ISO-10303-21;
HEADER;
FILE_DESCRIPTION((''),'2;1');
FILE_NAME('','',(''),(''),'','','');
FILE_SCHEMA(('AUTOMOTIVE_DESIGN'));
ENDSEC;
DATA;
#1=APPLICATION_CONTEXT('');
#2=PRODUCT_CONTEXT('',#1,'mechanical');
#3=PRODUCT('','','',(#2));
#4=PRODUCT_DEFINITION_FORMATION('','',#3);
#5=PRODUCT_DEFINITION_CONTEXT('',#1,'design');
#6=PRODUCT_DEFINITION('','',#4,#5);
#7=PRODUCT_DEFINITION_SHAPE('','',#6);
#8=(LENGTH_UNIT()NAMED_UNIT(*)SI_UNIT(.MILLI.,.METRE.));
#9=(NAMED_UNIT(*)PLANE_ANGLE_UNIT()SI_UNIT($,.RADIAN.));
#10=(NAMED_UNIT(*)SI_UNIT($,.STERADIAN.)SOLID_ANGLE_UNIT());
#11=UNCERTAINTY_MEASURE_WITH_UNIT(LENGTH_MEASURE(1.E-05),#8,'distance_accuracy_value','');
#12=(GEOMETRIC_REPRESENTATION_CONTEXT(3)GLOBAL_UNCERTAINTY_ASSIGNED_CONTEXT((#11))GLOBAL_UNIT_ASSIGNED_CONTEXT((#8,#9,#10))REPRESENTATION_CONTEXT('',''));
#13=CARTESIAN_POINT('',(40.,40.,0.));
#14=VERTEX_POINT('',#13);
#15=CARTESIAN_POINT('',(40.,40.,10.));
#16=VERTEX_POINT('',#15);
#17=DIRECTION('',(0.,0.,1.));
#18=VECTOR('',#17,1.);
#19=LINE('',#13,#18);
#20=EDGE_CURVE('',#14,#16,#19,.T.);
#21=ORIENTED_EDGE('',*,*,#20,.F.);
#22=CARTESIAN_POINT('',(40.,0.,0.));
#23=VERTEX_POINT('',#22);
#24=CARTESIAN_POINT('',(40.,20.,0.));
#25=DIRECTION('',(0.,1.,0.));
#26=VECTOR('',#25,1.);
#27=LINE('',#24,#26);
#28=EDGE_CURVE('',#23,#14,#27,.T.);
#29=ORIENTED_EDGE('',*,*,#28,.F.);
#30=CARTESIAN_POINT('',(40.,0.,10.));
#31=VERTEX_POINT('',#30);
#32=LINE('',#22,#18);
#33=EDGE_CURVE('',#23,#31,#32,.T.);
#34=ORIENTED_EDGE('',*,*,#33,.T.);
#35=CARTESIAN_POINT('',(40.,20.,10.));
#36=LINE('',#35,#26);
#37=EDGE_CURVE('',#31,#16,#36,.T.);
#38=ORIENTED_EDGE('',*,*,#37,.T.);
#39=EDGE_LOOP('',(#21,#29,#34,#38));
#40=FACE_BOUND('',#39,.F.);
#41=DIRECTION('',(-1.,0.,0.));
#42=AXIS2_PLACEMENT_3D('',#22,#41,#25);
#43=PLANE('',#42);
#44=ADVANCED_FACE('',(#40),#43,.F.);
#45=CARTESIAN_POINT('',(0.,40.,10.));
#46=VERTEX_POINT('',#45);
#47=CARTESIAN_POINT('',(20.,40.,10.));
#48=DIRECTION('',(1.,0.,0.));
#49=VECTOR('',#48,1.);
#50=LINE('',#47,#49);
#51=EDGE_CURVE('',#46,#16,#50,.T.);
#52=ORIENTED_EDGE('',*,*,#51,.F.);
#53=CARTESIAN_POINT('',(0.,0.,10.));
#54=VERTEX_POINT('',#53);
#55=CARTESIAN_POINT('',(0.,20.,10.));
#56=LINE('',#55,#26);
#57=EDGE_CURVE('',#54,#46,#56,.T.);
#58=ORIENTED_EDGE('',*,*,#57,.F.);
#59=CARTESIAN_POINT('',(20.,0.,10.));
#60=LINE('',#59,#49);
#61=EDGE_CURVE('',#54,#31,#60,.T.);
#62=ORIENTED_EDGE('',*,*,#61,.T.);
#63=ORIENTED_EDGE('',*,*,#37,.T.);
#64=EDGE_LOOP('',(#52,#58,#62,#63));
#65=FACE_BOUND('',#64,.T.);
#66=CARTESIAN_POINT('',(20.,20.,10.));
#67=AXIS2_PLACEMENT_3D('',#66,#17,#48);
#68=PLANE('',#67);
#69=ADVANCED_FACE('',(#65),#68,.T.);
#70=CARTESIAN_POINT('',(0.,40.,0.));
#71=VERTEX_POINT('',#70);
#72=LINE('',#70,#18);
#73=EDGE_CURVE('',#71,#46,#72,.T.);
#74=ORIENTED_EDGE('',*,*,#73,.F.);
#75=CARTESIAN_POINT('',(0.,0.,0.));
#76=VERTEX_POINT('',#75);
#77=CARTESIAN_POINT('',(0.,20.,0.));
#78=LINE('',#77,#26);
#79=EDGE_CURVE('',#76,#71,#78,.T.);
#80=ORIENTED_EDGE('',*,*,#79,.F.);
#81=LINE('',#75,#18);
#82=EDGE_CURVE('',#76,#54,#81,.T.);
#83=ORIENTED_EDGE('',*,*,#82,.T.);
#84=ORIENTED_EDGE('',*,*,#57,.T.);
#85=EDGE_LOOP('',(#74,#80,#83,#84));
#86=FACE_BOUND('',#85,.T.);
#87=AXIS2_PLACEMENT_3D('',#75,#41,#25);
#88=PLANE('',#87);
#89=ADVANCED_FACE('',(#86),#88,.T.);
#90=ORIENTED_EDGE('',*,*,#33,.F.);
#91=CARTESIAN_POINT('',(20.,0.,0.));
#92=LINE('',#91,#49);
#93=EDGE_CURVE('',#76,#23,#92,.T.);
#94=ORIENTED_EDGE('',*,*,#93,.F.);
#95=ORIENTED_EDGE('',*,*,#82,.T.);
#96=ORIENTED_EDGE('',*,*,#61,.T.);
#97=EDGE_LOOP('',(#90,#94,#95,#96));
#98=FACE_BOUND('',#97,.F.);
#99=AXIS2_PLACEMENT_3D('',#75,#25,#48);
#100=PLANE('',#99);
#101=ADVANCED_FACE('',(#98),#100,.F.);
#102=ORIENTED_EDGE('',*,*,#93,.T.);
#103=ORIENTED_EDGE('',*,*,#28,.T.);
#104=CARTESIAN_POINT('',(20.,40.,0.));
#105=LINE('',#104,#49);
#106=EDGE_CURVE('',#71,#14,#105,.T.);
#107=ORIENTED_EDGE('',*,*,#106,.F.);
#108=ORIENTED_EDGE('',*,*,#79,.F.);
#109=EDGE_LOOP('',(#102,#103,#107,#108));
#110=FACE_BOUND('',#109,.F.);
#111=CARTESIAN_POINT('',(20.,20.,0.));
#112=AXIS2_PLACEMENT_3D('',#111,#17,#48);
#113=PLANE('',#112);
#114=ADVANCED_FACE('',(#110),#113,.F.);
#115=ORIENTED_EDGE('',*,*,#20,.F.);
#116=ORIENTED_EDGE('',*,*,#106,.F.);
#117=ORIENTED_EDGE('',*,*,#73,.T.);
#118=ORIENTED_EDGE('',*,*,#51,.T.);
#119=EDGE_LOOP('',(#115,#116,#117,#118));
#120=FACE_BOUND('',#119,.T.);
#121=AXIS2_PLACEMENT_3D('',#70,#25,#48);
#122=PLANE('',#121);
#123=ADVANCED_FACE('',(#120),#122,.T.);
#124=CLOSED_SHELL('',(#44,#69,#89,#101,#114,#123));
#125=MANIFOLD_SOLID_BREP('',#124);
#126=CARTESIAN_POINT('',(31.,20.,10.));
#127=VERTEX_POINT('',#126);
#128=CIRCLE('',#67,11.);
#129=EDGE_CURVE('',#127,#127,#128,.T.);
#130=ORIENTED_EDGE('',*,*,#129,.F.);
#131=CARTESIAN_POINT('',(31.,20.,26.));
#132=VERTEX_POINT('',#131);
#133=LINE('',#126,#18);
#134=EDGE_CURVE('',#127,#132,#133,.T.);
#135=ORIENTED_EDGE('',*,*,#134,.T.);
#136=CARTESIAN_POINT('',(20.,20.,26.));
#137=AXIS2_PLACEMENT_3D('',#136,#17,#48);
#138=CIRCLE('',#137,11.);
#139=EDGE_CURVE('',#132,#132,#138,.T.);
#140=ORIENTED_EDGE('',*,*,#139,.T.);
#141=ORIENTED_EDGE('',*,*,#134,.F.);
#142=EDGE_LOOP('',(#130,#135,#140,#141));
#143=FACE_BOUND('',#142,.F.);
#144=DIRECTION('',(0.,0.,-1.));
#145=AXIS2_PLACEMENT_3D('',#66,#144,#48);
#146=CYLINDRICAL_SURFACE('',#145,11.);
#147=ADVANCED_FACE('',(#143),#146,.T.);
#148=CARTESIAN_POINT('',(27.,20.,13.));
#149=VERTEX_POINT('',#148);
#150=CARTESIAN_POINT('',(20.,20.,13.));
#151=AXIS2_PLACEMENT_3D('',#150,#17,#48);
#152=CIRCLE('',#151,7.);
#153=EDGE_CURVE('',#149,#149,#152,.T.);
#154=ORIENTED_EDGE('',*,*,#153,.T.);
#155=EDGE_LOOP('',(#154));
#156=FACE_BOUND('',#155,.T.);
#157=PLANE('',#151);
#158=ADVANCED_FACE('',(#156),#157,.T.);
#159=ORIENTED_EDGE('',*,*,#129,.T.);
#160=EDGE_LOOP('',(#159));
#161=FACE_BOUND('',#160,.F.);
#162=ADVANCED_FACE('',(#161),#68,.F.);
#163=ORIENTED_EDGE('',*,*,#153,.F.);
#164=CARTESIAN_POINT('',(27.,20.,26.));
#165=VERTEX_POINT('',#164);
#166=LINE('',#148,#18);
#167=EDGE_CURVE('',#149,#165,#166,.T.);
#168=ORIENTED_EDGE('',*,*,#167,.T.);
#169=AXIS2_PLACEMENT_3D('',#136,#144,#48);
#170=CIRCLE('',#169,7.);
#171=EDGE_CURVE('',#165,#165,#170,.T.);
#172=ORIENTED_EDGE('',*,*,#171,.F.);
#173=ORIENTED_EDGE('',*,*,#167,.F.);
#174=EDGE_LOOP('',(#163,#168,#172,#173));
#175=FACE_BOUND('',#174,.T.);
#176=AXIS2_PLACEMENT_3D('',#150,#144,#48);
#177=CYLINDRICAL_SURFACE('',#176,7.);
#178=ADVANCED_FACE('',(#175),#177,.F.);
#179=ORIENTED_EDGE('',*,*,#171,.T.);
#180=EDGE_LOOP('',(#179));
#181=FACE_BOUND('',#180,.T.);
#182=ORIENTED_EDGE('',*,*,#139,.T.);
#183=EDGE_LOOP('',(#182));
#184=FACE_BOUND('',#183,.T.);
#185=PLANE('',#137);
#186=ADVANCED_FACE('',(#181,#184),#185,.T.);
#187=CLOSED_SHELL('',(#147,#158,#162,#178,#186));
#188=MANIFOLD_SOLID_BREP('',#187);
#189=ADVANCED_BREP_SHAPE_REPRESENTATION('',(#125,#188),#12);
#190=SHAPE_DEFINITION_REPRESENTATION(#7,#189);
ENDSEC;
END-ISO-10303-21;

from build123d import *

# Parameters (mm, degrees)
SKETCH_W          = 40
SKETCH_H          = 40
EXTRUDE_DEPTH     = 10
CYLINDER001_R     = 7
CYLINDER001_DEPTH = 19
CYLINDER_R        = 11
CYLINDER_DEPTH    = 16


with BuildPart() as extrude_body:
    # Sketch → Extrude (new body)
    with BuildSketch(Plane.XY):
        with Locations((20, 20)):
            Rectangle(SKETCH_W, SKETCH_H)
    extrude(amount=EXTRUDE_DEPTH)


with BuildPart() as cylinder001:
    # Cylinder001 → Cylinder001 (new body)
    with BuildSketch(Plane(origin=(20, 20, 13), x_dir=(1, 0, 0), z_dir=(0, 0, 1))):
        Circle(CYLINDER001_R)
    extrude(amount=CYLINDER001_DEPTH)


with BuildPart() as cut:
    # Cylinder → Cylinder (new body)
    with BuildSketch(Plane(origin=(20, 20, 10), x_dir=(1, 0, 0), z_dir=(0, 0, 1))):
        Circle(CYLINDER_R)
    extrude(amount=CYLINDER_DEPTH)

    # Cut: cut Cylinder001
    add(cylinder001.part, mode=Mode.SUBTRACT)


solid = Compound([extrude_body.part, cut.part])
